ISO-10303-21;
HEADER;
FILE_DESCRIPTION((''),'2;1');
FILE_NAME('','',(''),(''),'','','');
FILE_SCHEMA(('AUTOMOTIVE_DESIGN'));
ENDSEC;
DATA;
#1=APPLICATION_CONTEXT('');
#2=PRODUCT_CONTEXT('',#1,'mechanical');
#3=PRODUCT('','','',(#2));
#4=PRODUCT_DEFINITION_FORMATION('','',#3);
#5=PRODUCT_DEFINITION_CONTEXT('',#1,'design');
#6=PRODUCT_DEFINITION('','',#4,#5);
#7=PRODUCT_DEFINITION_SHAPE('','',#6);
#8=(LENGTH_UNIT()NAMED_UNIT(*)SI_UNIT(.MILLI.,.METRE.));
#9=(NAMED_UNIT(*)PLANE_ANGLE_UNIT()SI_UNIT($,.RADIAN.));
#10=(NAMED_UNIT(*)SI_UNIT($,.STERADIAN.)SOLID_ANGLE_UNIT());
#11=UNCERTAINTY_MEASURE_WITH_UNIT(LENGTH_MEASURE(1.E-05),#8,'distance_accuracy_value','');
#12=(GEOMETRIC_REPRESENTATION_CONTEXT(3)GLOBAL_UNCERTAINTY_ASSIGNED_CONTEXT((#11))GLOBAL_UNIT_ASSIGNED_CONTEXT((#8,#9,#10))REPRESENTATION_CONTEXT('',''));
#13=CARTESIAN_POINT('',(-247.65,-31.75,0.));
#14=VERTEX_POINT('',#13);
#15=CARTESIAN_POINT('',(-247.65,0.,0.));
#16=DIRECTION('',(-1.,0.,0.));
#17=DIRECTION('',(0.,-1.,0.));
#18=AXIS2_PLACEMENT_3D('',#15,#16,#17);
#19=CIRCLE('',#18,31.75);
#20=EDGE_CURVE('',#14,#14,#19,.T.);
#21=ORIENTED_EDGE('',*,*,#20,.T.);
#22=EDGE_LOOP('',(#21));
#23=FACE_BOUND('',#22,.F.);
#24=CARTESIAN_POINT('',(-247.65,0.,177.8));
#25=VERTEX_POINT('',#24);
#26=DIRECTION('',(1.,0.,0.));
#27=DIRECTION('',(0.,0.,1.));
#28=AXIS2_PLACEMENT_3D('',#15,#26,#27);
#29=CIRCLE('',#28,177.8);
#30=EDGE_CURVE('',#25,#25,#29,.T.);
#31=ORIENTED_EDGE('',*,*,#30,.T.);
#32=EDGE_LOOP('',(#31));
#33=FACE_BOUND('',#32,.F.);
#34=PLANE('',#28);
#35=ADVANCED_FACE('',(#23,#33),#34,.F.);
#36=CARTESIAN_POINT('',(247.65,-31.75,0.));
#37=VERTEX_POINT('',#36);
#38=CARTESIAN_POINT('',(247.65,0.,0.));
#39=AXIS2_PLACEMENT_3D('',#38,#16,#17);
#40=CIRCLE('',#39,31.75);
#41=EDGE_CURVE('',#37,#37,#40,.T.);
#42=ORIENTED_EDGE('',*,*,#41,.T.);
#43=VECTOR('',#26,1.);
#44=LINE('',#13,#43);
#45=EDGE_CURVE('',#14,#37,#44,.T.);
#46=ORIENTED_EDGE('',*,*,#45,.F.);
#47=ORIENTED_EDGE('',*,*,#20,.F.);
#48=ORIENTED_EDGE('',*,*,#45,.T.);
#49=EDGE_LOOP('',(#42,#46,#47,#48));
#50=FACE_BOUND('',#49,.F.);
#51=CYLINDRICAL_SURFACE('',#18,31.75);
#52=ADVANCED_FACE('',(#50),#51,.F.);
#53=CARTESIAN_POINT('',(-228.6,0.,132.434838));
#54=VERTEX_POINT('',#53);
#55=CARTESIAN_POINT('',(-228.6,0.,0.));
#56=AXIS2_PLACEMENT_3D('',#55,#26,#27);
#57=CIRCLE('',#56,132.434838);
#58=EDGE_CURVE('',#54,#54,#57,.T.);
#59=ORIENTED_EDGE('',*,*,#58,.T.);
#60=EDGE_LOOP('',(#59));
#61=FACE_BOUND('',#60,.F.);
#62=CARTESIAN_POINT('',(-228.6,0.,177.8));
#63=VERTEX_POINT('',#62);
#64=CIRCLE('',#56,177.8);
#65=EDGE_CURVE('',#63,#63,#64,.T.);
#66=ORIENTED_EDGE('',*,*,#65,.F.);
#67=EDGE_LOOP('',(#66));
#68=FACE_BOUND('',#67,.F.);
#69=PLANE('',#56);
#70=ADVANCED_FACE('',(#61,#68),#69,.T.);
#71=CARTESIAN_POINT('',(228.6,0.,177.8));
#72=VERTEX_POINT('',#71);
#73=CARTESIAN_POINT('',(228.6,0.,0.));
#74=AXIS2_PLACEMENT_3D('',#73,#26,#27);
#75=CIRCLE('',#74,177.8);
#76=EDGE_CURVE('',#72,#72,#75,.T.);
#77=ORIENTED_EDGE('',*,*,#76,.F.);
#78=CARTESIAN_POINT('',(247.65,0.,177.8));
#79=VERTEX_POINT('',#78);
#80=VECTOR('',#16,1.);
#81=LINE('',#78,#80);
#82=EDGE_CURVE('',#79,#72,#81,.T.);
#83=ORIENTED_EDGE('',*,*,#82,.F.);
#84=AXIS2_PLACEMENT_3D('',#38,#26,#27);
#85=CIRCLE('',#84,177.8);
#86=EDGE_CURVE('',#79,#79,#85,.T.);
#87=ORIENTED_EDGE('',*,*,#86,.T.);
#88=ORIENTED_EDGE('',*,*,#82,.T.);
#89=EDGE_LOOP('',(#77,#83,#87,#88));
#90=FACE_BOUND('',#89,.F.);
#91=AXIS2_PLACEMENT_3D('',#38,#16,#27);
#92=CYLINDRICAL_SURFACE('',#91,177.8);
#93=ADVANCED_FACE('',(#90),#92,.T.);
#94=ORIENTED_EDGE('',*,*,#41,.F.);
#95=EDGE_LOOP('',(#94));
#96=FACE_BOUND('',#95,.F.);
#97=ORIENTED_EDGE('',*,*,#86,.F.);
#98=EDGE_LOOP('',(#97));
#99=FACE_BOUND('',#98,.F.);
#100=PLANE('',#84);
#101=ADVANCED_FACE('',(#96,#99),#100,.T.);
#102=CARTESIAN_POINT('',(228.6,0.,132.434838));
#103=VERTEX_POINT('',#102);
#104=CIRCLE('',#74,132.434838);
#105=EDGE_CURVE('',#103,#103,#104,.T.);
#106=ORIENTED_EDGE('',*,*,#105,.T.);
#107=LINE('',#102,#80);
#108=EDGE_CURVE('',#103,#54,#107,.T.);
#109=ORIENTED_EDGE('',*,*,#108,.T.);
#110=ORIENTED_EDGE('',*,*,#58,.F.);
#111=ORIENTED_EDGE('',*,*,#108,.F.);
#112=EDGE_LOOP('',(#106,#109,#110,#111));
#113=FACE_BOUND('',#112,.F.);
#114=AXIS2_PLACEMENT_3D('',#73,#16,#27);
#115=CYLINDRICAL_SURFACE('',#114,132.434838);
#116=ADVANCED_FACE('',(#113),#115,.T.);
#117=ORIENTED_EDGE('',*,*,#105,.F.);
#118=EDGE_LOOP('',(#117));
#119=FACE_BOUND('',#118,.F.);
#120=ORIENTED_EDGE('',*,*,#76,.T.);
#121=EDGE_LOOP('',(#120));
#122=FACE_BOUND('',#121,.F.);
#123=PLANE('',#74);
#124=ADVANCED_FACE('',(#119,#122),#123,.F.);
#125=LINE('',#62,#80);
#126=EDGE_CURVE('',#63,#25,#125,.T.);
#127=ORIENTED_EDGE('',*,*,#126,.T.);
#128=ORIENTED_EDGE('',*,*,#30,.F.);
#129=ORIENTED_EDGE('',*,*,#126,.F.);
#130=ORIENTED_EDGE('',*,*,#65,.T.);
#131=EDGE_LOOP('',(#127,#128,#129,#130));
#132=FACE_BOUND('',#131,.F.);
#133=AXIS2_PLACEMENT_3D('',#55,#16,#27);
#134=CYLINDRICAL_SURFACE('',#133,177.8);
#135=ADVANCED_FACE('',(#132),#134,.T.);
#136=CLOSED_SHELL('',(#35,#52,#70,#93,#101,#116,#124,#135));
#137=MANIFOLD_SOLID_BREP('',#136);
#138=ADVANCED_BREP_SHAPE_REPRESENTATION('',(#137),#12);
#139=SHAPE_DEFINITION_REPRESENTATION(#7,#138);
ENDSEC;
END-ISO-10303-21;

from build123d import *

# Parameters (mm, degrees)
F2_R     = 31.75
F3_DEPTH = 495.301


with BuildPart() as f1:
    # F0 (on Front) → F1 (revolve)
    with BuildSketch(Plane.XZ):
        Polygon((-247.65, 177.8), (-247.65, 0), (247.65, 0), (247.65, 177.8), (228.6, 177.8), (228.6, 132.434838), (-228.6, 132.434838), (-228.6, 177.8), align=None)
    revolve(axis=Axis((0, 0, 0), (1, 0, 0)))

    # F2 (on face) → F3 (cut, through all)
    with BuildSketch(Plane(origin=(-247.65, 0, 0), x_dir=(0, -1, 0), z_dir=(-1, 0, 0))):
        Circle(F2_R)
    extrude(amount=-F3_DEPTH, mode=Mode.SUBTRACT)


solid = f1.part
